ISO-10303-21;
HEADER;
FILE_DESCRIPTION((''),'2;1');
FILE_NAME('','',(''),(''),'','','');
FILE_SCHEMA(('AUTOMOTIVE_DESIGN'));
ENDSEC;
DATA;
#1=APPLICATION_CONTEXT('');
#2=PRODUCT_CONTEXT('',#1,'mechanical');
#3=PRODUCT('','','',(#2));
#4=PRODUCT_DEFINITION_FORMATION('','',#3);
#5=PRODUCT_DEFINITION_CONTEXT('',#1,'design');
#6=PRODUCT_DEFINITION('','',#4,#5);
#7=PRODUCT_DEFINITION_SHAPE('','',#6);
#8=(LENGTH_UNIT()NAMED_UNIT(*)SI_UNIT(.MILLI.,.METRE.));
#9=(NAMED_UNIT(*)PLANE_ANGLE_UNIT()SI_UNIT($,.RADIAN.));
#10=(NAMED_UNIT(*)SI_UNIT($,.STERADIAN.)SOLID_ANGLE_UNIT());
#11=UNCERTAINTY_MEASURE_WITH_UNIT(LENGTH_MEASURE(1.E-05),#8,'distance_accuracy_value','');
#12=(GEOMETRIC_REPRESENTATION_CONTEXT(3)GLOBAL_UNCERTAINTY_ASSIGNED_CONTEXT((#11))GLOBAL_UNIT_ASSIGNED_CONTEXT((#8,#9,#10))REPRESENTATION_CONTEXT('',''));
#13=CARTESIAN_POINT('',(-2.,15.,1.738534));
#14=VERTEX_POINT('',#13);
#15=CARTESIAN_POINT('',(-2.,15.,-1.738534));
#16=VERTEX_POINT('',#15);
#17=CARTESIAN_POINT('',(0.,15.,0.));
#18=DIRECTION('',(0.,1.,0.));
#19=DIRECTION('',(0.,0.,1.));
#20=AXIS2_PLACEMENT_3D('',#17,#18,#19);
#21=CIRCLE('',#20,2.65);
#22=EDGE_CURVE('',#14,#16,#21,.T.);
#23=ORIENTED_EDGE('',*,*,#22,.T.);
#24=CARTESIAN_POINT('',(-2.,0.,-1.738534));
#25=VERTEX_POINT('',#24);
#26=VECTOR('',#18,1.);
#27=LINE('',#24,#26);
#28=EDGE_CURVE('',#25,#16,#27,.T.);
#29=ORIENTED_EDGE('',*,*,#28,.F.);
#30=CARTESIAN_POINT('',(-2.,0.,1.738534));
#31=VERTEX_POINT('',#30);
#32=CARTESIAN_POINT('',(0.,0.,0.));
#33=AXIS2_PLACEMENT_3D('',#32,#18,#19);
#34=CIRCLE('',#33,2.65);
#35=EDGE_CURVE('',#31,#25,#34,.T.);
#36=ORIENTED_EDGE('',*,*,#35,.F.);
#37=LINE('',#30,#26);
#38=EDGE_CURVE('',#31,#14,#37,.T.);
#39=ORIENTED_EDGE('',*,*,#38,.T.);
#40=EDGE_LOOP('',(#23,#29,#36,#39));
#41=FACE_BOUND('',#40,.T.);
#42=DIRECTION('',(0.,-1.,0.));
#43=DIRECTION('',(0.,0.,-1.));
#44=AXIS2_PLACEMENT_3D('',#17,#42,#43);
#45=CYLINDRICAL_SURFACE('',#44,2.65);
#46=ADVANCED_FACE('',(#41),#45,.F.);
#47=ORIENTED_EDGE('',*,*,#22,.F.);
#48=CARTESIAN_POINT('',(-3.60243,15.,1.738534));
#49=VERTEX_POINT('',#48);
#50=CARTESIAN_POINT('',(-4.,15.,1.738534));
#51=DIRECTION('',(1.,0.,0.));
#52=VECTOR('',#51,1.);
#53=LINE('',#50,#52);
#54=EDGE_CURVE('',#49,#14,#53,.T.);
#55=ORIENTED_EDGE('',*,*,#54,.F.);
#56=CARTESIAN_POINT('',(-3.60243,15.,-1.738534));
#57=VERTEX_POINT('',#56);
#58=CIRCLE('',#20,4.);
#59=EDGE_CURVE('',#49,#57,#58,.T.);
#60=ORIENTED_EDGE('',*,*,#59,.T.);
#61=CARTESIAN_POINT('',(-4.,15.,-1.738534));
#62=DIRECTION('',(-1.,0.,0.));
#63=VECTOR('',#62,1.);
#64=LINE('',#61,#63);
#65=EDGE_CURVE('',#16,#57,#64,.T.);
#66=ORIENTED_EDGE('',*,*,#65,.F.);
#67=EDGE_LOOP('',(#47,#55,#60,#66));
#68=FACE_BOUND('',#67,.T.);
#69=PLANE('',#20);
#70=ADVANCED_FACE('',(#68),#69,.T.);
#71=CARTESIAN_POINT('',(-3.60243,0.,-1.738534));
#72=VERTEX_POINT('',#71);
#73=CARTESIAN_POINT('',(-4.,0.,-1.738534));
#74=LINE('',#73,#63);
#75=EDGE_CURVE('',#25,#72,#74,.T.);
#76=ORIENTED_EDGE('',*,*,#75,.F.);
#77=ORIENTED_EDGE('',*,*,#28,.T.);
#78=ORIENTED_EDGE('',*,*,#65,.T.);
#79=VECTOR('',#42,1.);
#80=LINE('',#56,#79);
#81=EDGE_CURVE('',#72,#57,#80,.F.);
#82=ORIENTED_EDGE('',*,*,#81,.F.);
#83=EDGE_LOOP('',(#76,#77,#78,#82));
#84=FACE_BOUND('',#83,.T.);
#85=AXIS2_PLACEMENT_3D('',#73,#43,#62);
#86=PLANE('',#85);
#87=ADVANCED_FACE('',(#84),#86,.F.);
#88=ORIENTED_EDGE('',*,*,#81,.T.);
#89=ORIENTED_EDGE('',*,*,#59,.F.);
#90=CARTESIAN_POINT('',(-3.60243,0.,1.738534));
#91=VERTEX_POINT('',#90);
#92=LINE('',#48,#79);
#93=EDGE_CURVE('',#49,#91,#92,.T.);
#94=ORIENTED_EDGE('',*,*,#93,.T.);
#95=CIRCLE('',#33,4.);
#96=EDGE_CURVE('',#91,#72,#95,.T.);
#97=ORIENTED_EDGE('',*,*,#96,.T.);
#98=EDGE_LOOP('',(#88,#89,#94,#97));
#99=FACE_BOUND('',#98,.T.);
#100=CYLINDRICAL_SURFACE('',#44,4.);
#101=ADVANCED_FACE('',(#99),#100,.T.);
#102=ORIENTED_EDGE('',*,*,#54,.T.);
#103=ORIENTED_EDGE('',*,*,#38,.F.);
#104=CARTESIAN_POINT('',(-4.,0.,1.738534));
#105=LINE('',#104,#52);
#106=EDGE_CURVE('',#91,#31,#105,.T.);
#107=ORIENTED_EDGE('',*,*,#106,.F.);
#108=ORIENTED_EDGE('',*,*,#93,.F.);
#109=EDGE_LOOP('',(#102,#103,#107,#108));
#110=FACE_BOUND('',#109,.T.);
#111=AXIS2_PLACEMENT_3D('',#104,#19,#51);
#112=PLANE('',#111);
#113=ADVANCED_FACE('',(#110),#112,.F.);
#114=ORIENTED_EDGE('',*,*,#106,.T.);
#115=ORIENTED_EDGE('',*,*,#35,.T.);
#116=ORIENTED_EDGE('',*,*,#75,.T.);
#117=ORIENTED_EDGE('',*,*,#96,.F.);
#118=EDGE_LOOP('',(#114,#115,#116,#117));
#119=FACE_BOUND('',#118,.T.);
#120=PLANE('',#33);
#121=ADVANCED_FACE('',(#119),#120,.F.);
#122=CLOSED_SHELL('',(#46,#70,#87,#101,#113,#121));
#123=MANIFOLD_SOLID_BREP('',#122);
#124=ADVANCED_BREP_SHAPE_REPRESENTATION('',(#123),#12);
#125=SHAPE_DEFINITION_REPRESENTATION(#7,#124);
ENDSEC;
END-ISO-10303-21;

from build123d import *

# Parameters (mm, degrees)
SKETCH_1_R          = 4
SKETCH_1_R_2        = 2.65
EXTRUDE_1_DEPTH     = 15
SKETCH_2_W          = 2
SKETCH_2_H          = 3.47706773
CUT_EXTRUDE_1_DEPTH = 15


with BuildPart() as part:
    # 草圖1 → 填料-伸長1 (new body)
    with BuildSketch(Plane(origin=(0, 0, 0), x_dir=(1, 0, 0), z_dir=(0, 1, 0))):
        Circle(SKETCH_1_R)
        Circle(SKETCH_1_R_2, mode=Mode.SUBTRACT)
    extrude(amount=EXTRUDE_1_DEPTH)

    # 草圖2 → 除料-伸長1 (cut)
    with BuildSketch(Plane(origin=(0, 15, 0), x_dir=(1, 0, 0), z_dir=(0, 1, 0))):
        with Locations((-3, 0)):
            Rectangle(SKETCH_2_W, SKETCH_2_H)
    extrude(amount=-CUT_EXTRUDE_1_DEPTH, mode=Mode.SUBTRACT)


solid = part.part
